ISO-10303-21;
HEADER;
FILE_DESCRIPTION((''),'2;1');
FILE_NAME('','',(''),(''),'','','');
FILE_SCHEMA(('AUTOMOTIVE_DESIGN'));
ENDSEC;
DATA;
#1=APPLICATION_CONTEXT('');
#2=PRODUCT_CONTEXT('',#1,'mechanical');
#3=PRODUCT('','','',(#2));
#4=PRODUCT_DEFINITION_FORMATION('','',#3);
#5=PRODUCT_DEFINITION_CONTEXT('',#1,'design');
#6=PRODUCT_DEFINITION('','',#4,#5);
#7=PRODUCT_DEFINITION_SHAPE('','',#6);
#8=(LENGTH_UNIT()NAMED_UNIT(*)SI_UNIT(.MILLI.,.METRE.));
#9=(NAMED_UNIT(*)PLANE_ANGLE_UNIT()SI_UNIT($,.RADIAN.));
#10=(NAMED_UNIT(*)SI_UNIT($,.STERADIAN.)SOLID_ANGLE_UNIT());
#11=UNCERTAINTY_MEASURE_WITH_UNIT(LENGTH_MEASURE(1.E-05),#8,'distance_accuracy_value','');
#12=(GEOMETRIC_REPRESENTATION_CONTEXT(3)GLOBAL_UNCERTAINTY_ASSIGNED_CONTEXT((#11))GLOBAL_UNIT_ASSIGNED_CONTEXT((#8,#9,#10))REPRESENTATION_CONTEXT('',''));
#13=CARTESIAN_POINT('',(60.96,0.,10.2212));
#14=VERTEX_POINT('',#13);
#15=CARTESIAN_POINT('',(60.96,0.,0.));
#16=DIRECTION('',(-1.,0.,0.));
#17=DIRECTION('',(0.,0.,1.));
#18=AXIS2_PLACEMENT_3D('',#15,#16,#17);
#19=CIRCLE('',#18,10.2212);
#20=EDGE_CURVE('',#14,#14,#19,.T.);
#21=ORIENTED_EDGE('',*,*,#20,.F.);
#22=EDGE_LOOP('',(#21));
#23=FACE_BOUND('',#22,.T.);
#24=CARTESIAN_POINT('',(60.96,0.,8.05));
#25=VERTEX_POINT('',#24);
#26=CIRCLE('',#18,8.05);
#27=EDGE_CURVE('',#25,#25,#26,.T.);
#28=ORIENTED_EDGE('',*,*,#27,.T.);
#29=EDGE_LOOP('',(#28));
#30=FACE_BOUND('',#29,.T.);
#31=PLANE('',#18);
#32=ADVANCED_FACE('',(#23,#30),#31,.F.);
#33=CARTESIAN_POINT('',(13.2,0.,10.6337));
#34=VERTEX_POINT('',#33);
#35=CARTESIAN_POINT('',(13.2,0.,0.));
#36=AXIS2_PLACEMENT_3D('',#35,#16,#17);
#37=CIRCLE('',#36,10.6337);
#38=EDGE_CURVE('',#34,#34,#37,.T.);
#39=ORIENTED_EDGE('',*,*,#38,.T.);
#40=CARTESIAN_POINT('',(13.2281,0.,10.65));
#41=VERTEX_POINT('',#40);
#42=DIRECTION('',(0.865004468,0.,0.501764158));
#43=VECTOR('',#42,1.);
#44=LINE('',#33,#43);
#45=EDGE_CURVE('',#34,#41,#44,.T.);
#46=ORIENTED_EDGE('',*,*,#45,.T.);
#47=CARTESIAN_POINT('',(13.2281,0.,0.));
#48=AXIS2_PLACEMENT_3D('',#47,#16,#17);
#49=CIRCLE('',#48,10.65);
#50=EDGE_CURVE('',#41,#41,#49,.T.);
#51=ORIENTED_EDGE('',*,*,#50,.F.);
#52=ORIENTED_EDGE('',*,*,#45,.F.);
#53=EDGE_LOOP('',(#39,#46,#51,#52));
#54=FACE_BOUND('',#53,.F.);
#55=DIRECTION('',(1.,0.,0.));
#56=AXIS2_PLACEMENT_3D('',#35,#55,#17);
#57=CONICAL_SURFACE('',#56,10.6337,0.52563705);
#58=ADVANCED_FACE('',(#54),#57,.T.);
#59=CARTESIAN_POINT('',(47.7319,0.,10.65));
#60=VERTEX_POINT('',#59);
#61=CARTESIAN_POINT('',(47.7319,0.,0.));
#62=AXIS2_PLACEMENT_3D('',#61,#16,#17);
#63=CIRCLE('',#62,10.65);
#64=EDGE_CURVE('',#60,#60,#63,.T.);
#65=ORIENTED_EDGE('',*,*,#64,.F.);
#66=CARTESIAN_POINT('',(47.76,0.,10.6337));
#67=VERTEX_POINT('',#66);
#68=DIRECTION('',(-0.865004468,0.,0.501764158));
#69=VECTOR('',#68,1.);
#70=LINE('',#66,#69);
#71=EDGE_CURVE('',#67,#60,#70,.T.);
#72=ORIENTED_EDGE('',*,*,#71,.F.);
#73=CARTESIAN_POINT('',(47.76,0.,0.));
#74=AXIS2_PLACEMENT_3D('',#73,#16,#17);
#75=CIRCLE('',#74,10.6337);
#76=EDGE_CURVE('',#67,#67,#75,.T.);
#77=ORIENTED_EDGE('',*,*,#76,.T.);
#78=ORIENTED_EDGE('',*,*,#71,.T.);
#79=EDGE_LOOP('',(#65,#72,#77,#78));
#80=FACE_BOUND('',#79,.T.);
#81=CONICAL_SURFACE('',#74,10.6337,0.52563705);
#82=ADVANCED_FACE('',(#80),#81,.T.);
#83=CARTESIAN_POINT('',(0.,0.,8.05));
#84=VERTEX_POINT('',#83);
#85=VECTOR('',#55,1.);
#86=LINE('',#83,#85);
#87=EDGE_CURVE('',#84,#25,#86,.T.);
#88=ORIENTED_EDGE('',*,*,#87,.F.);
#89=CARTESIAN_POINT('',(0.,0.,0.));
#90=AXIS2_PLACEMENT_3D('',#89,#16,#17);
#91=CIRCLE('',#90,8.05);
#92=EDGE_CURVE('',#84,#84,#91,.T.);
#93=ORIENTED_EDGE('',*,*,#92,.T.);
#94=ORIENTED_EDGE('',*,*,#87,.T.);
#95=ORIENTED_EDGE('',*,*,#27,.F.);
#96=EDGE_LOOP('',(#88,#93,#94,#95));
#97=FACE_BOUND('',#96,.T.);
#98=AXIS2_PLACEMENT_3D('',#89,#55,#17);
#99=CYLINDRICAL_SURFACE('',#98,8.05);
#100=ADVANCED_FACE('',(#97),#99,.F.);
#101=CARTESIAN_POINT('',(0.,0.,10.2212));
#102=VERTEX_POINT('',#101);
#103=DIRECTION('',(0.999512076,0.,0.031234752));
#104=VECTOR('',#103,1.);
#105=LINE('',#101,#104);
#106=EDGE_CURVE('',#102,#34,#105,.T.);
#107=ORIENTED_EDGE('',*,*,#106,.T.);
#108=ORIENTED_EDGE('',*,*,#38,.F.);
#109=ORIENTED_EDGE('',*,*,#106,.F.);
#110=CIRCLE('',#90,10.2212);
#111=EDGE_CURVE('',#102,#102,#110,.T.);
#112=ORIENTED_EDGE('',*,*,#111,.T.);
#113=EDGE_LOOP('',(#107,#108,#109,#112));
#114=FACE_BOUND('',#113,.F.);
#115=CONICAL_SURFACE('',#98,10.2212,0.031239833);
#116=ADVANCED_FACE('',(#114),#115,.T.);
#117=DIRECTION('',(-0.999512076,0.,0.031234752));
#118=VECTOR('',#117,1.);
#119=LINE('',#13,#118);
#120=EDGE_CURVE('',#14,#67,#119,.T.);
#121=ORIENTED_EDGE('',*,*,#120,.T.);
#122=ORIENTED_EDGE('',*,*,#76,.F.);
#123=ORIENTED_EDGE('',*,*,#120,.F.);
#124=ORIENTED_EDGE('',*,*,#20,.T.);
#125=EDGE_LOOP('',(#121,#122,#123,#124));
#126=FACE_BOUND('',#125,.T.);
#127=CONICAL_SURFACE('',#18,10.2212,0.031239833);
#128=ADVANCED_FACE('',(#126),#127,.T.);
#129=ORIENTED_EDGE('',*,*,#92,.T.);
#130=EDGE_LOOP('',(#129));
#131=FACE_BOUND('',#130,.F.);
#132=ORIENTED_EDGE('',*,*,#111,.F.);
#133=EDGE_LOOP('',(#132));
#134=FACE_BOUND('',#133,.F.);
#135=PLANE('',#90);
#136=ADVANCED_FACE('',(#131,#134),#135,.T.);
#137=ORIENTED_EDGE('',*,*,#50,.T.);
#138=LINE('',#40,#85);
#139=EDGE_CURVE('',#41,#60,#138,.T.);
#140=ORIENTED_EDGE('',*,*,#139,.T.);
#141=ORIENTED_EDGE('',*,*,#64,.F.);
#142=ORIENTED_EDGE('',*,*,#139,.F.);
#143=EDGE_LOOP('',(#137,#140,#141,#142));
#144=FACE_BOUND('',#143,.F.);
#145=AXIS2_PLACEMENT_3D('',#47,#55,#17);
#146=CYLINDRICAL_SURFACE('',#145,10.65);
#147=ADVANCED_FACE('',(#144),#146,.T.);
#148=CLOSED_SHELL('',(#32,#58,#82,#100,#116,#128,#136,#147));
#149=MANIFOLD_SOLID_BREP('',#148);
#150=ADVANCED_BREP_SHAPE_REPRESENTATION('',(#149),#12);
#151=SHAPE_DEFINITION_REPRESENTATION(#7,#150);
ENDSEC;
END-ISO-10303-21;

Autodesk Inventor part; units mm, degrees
ref_plane "YZ Plane" through (0, 0, 0) normal (1, 0, 0) x (0, 1, 0)
ref_plane "XZ Plane" through (0, 0, 0) normal (0, 1, 0) x (-1, 0, 0)
ref_plane "XY Plane" through (0, 0, 0) normal (0, 0, 1) x (1, 0, 0)
sketch "Sketch1" plane through (0, 0, 0) normal (0, 1, 0) x (-1, 0, 0)
  line L0 (-60.96, 0) -> (0, 0)
  line L1 (0, 0) -> (0, 8.05) construction
  line L2 (0, 8.05) -> (0, 10.2212)
  line L3 (0, 10.2212) -> (-13.2, 10.6337)
  line L4 (-13.2, 10.6337) -> (-13.2281, 10.65)
  line L5 (-13.2281, 10.65) -> (-47.7319, 10.65)
  line L6 (0, 8.05) -> (-60.96, 8.05)
  line L7 (-30.48, 0) -> (-30.48, 10.65) construction
  line L8 (-60.96, 0) -> (-60.96, 8.05) construction
  line L9 (-60.96, 8.05) -> (-60.96, 10.2212)
  line L10 (-60.96, 10.2212) -> (-47.76, 10.6337)
  line L11 (-47.76, 10.6337) -> (-47.7319, 10.65)
  line L12 (-8.2, 10.4775) -> (-8.2, 0) construction
  line L13 (-13.2, 10.6337) -> (-13.2, 0) construction
  line L14 (-47.76, 10.6337) -> (-47.76, 0) construction
  dimension "d0" = 8.2
  dimension "d1" = 13.2
  dimension "d2" = 1.79
  dimension "d3" = 20.955
  dimension "d4" = 21.3
  dimension "d5" = 2.6
  dimension "d6" = 60.96
  dimension "d7" = 30
revolve "Revolution1" add sketch "Sketch1" angle 360 about axis through (60.96, 0, 0) along (-1, 0, 0)
thread "Thread1" size "R 1/2" standard "ISO Taper" full length
thread "Thread2" size "R 1/2" standard "ISO Taper" full length
equation "\"d0\" = a"
equation "\"d1\" = LT"
equation "\"d3\" = MjD"
equation "\"d4\" = OD"
equation "\"d5\" = T"
equation "\"d6\" = L"
equation "\"OD\" = 21.3"
equation "\"T\" = 2.6"
equation "\"L\" = PL"
equation "\"LT\" = 13.2"
equation "\"ID\" = 16.1"
equation "\"PL\" = 60.96"
equation "\"MjD\" = 20.955"
equation "\"a\" = 8.2"
equation "\"Size_Designation\" = 1.2345"
equation "\"PLmin\" = 2 * LT + T"
properties material "Stainless Steel"
